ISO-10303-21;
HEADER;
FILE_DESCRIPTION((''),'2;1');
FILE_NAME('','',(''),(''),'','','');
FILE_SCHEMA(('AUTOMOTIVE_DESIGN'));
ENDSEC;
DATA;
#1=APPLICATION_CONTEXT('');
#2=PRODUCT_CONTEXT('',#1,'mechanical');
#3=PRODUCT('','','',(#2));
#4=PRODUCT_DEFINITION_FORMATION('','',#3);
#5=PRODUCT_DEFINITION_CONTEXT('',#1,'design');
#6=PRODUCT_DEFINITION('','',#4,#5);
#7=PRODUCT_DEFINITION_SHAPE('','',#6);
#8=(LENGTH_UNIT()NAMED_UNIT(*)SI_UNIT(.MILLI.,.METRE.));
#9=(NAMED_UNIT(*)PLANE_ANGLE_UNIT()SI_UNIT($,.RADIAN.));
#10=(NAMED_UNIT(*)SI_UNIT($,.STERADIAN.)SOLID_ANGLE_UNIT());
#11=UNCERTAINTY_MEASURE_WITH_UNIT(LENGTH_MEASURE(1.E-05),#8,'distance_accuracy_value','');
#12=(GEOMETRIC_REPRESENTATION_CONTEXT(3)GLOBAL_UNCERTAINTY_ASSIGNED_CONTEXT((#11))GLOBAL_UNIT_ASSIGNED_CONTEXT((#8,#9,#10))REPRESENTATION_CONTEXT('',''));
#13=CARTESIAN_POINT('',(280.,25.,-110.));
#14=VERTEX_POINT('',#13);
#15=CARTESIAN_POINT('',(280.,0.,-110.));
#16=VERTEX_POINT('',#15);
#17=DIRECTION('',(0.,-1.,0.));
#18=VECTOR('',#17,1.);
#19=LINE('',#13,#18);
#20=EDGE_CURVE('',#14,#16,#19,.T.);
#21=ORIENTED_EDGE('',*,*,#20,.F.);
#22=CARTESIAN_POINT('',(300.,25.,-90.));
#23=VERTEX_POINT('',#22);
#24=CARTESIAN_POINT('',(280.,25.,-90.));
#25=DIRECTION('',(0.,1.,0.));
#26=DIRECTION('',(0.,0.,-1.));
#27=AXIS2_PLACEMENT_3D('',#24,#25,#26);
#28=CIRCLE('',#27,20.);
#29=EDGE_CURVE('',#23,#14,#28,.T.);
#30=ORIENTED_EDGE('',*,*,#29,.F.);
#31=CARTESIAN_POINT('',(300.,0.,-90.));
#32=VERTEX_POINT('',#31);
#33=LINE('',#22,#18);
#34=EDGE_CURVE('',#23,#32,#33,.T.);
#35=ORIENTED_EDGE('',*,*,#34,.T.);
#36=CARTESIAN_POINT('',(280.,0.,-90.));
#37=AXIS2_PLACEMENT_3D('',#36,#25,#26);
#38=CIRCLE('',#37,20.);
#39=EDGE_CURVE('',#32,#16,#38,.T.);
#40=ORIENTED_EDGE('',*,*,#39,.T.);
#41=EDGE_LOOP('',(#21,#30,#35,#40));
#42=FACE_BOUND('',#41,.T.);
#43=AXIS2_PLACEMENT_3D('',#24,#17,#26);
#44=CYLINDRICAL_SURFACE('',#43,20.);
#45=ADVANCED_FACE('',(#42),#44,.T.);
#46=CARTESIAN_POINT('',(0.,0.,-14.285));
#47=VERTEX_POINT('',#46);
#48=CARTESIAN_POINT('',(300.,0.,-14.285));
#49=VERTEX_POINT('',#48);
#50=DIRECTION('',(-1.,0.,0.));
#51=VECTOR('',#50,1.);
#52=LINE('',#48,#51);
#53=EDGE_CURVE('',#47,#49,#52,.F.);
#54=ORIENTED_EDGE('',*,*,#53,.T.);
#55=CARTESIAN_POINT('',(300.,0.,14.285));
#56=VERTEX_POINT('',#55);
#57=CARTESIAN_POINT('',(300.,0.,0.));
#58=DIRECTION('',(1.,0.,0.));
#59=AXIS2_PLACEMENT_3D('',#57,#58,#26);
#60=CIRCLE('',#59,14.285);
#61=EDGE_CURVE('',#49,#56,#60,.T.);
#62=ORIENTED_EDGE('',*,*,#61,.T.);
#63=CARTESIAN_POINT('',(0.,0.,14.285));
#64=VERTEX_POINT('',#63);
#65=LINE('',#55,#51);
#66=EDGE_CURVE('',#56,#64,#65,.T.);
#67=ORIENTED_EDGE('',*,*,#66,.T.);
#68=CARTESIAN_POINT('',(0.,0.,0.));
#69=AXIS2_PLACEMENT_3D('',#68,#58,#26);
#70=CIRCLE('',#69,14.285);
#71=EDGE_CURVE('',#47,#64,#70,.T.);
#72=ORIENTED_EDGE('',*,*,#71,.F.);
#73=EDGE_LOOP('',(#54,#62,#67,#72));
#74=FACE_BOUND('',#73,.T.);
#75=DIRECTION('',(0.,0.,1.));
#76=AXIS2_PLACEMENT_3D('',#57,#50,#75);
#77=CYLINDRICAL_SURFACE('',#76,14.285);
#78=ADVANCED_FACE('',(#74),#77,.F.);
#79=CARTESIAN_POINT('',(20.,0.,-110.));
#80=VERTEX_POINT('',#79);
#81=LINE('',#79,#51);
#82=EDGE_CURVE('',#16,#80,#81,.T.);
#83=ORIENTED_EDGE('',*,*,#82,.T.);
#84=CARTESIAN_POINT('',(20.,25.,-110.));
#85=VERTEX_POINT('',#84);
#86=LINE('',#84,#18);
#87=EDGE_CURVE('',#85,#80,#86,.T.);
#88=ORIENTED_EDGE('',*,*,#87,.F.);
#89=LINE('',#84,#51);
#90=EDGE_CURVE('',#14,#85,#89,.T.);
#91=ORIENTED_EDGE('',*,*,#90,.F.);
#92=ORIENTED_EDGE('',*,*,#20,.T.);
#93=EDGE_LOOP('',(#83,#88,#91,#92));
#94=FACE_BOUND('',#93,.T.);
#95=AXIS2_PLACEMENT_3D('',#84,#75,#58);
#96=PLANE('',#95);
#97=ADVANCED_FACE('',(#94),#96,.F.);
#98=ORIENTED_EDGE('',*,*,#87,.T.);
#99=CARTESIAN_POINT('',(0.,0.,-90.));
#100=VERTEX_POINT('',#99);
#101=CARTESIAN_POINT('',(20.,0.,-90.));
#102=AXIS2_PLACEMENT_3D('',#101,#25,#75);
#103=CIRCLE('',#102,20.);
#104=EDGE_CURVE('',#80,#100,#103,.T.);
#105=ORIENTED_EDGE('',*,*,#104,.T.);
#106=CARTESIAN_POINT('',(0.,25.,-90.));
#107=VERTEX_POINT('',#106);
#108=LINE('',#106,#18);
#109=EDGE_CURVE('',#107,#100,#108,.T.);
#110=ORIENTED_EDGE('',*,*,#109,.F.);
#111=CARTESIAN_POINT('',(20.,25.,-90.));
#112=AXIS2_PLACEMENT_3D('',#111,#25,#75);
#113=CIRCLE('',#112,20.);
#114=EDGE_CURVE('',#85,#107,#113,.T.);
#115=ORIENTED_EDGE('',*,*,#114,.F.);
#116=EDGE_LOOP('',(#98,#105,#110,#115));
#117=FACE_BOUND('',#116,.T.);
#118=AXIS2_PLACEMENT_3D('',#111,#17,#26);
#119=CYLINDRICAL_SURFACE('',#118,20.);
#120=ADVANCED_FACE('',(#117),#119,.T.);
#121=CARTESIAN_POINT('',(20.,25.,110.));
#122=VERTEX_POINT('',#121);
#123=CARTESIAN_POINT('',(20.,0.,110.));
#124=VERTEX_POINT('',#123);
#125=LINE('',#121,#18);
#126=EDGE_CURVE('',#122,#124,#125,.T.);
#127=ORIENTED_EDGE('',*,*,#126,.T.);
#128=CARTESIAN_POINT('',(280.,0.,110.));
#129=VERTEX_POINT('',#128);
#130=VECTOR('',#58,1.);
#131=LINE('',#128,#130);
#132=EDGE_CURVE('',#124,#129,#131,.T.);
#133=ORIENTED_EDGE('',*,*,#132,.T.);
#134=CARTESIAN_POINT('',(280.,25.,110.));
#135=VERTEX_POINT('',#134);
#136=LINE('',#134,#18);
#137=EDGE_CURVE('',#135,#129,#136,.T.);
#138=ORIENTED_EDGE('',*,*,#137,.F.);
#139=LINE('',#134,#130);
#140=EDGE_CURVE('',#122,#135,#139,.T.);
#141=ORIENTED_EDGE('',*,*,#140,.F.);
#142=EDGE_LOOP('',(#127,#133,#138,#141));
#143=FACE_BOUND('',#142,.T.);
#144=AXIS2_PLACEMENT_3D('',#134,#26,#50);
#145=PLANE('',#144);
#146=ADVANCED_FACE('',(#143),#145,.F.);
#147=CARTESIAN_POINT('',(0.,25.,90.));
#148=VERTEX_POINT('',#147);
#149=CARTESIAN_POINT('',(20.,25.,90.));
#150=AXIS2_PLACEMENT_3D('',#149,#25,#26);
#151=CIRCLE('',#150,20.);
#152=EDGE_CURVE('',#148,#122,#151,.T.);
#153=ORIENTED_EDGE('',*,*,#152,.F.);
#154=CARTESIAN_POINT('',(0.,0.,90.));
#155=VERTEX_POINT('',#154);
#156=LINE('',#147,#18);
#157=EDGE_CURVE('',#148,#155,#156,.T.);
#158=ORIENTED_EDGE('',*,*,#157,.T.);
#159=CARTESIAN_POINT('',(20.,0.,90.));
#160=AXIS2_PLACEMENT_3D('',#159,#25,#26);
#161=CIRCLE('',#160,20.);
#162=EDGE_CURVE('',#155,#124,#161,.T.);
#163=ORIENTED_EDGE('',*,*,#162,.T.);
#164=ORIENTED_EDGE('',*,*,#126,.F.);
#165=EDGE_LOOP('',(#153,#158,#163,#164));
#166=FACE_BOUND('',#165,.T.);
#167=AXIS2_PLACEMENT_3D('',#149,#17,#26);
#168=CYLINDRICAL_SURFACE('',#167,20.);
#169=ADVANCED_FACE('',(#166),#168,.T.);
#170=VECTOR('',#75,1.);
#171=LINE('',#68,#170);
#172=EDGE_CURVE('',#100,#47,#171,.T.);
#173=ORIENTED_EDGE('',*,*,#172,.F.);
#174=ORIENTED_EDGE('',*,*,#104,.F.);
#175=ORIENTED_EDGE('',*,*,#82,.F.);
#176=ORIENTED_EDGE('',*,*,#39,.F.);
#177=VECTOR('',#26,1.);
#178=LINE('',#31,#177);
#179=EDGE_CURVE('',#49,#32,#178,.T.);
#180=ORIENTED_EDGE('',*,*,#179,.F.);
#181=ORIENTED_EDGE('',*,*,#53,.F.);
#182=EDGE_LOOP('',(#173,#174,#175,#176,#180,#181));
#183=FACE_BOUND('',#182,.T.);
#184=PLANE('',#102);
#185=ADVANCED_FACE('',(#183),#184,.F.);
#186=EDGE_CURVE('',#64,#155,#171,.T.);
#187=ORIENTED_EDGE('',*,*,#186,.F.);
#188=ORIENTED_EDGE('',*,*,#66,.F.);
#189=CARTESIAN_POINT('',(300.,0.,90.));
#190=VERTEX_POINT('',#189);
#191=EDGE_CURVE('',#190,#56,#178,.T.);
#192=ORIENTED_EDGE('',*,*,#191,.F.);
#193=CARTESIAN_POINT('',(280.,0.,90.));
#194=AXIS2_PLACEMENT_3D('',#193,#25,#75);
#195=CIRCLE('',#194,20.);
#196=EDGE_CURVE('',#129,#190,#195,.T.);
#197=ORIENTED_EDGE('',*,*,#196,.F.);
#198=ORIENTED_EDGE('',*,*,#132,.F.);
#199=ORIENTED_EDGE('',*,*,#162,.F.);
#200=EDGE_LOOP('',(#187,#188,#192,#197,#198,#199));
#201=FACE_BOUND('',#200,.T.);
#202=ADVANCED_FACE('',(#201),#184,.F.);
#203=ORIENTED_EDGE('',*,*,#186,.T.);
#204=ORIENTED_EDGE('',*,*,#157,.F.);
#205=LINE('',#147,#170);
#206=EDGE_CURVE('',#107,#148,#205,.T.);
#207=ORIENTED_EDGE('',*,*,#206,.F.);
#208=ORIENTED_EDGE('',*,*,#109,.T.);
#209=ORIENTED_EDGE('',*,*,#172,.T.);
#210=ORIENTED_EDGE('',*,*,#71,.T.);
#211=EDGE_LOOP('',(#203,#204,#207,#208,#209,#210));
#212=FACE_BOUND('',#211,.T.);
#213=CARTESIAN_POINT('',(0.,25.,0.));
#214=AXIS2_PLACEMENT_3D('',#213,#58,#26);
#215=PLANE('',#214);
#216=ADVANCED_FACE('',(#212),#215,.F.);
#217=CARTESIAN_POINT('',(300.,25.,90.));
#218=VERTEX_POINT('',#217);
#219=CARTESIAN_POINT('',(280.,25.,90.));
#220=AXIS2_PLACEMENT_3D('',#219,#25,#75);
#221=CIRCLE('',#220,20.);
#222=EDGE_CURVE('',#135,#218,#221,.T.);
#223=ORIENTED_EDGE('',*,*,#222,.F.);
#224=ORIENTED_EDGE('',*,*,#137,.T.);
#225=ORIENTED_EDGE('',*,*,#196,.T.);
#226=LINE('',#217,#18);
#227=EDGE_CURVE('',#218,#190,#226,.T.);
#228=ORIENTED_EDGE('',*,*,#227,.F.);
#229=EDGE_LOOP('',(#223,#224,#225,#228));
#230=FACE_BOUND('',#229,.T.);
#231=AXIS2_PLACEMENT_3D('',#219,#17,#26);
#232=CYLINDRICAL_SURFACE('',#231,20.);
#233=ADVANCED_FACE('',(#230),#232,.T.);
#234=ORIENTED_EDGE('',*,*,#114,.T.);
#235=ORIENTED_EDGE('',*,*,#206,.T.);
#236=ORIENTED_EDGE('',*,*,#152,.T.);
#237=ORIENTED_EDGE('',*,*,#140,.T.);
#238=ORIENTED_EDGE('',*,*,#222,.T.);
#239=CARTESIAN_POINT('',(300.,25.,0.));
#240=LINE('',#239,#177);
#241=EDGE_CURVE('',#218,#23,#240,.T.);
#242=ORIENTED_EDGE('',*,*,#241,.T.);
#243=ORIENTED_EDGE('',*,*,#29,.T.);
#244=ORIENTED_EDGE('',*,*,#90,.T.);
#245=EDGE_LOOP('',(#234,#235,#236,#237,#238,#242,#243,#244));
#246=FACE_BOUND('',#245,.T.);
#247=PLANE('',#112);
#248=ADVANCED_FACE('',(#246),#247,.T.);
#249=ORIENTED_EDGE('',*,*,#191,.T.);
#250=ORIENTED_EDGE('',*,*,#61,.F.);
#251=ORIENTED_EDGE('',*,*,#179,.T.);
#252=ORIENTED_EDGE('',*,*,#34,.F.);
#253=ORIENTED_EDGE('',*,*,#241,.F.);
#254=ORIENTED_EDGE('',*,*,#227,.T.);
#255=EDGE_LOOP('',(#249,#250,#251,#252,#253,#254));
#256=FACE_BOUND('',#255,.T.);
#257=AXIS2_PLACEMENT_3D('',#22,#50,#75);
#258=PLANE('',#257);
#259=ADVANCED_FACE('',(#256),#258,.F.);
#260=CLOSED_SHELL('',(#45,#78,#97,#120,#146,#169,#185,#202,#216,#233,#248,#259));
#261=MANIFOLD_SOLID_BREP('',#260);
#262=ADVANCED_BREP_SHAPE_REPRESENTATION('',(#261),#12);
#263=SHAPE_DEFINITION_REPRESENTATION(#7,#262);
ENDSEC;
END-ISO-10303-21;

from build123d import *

# Parameters (mm, degrees)
BOSS_EXTRUDE1_DEPTH = 25
SKETCH2_R           = 14.285
CUT_EXTRUDE1_DEPTH  = 321.507410211


with BuildPart() as part:
    # Sketch1 → Boss-Extrude1 (new body)
    with BuildSketch(Plane(origin=(0, 0, 0), x_dir=(1, 0, 0), z_dir=(0, 1, 0))):
        with BuildLine():
            Line((0, 0), (0, 90))
            ThreePointArc((0, 90), (5.857864376, 104.142135624), (20, 110))
            Line((20, 110), (280, 110))
            ThreePointArc((280, 110), (294.142135624, 104.142135624), (300, 90))
            Line((300, 90), (300, 0))
            Line((300, 0), (300, -90))
            ThreePointArc((300, -90), (294.142135624, -104.142135624), (280, -110))
            Line((280, -110), (20, -110))
            ThreePointArc((20, -110), (5.857864376, -104.142135624), (0, -90))
            Line((0, -90), (0, 0))
        make_face()
    extrude(amount=BOSS_EXTRUDE1_DEPTH)

    # Sketch2 → Cut-Extrude1 (cut, through all)
    with BuildSketch(Plane(origin=(0, 0, 0), x_dir=(0, 0, -1), z_dir=(1, 0, 0))):
        Circle(SKETCH2_R)
    extrude(amount=CUT_EXTRUDE1_DEPTH, mode=Mode.SUBTRACT)


solid = part.part
